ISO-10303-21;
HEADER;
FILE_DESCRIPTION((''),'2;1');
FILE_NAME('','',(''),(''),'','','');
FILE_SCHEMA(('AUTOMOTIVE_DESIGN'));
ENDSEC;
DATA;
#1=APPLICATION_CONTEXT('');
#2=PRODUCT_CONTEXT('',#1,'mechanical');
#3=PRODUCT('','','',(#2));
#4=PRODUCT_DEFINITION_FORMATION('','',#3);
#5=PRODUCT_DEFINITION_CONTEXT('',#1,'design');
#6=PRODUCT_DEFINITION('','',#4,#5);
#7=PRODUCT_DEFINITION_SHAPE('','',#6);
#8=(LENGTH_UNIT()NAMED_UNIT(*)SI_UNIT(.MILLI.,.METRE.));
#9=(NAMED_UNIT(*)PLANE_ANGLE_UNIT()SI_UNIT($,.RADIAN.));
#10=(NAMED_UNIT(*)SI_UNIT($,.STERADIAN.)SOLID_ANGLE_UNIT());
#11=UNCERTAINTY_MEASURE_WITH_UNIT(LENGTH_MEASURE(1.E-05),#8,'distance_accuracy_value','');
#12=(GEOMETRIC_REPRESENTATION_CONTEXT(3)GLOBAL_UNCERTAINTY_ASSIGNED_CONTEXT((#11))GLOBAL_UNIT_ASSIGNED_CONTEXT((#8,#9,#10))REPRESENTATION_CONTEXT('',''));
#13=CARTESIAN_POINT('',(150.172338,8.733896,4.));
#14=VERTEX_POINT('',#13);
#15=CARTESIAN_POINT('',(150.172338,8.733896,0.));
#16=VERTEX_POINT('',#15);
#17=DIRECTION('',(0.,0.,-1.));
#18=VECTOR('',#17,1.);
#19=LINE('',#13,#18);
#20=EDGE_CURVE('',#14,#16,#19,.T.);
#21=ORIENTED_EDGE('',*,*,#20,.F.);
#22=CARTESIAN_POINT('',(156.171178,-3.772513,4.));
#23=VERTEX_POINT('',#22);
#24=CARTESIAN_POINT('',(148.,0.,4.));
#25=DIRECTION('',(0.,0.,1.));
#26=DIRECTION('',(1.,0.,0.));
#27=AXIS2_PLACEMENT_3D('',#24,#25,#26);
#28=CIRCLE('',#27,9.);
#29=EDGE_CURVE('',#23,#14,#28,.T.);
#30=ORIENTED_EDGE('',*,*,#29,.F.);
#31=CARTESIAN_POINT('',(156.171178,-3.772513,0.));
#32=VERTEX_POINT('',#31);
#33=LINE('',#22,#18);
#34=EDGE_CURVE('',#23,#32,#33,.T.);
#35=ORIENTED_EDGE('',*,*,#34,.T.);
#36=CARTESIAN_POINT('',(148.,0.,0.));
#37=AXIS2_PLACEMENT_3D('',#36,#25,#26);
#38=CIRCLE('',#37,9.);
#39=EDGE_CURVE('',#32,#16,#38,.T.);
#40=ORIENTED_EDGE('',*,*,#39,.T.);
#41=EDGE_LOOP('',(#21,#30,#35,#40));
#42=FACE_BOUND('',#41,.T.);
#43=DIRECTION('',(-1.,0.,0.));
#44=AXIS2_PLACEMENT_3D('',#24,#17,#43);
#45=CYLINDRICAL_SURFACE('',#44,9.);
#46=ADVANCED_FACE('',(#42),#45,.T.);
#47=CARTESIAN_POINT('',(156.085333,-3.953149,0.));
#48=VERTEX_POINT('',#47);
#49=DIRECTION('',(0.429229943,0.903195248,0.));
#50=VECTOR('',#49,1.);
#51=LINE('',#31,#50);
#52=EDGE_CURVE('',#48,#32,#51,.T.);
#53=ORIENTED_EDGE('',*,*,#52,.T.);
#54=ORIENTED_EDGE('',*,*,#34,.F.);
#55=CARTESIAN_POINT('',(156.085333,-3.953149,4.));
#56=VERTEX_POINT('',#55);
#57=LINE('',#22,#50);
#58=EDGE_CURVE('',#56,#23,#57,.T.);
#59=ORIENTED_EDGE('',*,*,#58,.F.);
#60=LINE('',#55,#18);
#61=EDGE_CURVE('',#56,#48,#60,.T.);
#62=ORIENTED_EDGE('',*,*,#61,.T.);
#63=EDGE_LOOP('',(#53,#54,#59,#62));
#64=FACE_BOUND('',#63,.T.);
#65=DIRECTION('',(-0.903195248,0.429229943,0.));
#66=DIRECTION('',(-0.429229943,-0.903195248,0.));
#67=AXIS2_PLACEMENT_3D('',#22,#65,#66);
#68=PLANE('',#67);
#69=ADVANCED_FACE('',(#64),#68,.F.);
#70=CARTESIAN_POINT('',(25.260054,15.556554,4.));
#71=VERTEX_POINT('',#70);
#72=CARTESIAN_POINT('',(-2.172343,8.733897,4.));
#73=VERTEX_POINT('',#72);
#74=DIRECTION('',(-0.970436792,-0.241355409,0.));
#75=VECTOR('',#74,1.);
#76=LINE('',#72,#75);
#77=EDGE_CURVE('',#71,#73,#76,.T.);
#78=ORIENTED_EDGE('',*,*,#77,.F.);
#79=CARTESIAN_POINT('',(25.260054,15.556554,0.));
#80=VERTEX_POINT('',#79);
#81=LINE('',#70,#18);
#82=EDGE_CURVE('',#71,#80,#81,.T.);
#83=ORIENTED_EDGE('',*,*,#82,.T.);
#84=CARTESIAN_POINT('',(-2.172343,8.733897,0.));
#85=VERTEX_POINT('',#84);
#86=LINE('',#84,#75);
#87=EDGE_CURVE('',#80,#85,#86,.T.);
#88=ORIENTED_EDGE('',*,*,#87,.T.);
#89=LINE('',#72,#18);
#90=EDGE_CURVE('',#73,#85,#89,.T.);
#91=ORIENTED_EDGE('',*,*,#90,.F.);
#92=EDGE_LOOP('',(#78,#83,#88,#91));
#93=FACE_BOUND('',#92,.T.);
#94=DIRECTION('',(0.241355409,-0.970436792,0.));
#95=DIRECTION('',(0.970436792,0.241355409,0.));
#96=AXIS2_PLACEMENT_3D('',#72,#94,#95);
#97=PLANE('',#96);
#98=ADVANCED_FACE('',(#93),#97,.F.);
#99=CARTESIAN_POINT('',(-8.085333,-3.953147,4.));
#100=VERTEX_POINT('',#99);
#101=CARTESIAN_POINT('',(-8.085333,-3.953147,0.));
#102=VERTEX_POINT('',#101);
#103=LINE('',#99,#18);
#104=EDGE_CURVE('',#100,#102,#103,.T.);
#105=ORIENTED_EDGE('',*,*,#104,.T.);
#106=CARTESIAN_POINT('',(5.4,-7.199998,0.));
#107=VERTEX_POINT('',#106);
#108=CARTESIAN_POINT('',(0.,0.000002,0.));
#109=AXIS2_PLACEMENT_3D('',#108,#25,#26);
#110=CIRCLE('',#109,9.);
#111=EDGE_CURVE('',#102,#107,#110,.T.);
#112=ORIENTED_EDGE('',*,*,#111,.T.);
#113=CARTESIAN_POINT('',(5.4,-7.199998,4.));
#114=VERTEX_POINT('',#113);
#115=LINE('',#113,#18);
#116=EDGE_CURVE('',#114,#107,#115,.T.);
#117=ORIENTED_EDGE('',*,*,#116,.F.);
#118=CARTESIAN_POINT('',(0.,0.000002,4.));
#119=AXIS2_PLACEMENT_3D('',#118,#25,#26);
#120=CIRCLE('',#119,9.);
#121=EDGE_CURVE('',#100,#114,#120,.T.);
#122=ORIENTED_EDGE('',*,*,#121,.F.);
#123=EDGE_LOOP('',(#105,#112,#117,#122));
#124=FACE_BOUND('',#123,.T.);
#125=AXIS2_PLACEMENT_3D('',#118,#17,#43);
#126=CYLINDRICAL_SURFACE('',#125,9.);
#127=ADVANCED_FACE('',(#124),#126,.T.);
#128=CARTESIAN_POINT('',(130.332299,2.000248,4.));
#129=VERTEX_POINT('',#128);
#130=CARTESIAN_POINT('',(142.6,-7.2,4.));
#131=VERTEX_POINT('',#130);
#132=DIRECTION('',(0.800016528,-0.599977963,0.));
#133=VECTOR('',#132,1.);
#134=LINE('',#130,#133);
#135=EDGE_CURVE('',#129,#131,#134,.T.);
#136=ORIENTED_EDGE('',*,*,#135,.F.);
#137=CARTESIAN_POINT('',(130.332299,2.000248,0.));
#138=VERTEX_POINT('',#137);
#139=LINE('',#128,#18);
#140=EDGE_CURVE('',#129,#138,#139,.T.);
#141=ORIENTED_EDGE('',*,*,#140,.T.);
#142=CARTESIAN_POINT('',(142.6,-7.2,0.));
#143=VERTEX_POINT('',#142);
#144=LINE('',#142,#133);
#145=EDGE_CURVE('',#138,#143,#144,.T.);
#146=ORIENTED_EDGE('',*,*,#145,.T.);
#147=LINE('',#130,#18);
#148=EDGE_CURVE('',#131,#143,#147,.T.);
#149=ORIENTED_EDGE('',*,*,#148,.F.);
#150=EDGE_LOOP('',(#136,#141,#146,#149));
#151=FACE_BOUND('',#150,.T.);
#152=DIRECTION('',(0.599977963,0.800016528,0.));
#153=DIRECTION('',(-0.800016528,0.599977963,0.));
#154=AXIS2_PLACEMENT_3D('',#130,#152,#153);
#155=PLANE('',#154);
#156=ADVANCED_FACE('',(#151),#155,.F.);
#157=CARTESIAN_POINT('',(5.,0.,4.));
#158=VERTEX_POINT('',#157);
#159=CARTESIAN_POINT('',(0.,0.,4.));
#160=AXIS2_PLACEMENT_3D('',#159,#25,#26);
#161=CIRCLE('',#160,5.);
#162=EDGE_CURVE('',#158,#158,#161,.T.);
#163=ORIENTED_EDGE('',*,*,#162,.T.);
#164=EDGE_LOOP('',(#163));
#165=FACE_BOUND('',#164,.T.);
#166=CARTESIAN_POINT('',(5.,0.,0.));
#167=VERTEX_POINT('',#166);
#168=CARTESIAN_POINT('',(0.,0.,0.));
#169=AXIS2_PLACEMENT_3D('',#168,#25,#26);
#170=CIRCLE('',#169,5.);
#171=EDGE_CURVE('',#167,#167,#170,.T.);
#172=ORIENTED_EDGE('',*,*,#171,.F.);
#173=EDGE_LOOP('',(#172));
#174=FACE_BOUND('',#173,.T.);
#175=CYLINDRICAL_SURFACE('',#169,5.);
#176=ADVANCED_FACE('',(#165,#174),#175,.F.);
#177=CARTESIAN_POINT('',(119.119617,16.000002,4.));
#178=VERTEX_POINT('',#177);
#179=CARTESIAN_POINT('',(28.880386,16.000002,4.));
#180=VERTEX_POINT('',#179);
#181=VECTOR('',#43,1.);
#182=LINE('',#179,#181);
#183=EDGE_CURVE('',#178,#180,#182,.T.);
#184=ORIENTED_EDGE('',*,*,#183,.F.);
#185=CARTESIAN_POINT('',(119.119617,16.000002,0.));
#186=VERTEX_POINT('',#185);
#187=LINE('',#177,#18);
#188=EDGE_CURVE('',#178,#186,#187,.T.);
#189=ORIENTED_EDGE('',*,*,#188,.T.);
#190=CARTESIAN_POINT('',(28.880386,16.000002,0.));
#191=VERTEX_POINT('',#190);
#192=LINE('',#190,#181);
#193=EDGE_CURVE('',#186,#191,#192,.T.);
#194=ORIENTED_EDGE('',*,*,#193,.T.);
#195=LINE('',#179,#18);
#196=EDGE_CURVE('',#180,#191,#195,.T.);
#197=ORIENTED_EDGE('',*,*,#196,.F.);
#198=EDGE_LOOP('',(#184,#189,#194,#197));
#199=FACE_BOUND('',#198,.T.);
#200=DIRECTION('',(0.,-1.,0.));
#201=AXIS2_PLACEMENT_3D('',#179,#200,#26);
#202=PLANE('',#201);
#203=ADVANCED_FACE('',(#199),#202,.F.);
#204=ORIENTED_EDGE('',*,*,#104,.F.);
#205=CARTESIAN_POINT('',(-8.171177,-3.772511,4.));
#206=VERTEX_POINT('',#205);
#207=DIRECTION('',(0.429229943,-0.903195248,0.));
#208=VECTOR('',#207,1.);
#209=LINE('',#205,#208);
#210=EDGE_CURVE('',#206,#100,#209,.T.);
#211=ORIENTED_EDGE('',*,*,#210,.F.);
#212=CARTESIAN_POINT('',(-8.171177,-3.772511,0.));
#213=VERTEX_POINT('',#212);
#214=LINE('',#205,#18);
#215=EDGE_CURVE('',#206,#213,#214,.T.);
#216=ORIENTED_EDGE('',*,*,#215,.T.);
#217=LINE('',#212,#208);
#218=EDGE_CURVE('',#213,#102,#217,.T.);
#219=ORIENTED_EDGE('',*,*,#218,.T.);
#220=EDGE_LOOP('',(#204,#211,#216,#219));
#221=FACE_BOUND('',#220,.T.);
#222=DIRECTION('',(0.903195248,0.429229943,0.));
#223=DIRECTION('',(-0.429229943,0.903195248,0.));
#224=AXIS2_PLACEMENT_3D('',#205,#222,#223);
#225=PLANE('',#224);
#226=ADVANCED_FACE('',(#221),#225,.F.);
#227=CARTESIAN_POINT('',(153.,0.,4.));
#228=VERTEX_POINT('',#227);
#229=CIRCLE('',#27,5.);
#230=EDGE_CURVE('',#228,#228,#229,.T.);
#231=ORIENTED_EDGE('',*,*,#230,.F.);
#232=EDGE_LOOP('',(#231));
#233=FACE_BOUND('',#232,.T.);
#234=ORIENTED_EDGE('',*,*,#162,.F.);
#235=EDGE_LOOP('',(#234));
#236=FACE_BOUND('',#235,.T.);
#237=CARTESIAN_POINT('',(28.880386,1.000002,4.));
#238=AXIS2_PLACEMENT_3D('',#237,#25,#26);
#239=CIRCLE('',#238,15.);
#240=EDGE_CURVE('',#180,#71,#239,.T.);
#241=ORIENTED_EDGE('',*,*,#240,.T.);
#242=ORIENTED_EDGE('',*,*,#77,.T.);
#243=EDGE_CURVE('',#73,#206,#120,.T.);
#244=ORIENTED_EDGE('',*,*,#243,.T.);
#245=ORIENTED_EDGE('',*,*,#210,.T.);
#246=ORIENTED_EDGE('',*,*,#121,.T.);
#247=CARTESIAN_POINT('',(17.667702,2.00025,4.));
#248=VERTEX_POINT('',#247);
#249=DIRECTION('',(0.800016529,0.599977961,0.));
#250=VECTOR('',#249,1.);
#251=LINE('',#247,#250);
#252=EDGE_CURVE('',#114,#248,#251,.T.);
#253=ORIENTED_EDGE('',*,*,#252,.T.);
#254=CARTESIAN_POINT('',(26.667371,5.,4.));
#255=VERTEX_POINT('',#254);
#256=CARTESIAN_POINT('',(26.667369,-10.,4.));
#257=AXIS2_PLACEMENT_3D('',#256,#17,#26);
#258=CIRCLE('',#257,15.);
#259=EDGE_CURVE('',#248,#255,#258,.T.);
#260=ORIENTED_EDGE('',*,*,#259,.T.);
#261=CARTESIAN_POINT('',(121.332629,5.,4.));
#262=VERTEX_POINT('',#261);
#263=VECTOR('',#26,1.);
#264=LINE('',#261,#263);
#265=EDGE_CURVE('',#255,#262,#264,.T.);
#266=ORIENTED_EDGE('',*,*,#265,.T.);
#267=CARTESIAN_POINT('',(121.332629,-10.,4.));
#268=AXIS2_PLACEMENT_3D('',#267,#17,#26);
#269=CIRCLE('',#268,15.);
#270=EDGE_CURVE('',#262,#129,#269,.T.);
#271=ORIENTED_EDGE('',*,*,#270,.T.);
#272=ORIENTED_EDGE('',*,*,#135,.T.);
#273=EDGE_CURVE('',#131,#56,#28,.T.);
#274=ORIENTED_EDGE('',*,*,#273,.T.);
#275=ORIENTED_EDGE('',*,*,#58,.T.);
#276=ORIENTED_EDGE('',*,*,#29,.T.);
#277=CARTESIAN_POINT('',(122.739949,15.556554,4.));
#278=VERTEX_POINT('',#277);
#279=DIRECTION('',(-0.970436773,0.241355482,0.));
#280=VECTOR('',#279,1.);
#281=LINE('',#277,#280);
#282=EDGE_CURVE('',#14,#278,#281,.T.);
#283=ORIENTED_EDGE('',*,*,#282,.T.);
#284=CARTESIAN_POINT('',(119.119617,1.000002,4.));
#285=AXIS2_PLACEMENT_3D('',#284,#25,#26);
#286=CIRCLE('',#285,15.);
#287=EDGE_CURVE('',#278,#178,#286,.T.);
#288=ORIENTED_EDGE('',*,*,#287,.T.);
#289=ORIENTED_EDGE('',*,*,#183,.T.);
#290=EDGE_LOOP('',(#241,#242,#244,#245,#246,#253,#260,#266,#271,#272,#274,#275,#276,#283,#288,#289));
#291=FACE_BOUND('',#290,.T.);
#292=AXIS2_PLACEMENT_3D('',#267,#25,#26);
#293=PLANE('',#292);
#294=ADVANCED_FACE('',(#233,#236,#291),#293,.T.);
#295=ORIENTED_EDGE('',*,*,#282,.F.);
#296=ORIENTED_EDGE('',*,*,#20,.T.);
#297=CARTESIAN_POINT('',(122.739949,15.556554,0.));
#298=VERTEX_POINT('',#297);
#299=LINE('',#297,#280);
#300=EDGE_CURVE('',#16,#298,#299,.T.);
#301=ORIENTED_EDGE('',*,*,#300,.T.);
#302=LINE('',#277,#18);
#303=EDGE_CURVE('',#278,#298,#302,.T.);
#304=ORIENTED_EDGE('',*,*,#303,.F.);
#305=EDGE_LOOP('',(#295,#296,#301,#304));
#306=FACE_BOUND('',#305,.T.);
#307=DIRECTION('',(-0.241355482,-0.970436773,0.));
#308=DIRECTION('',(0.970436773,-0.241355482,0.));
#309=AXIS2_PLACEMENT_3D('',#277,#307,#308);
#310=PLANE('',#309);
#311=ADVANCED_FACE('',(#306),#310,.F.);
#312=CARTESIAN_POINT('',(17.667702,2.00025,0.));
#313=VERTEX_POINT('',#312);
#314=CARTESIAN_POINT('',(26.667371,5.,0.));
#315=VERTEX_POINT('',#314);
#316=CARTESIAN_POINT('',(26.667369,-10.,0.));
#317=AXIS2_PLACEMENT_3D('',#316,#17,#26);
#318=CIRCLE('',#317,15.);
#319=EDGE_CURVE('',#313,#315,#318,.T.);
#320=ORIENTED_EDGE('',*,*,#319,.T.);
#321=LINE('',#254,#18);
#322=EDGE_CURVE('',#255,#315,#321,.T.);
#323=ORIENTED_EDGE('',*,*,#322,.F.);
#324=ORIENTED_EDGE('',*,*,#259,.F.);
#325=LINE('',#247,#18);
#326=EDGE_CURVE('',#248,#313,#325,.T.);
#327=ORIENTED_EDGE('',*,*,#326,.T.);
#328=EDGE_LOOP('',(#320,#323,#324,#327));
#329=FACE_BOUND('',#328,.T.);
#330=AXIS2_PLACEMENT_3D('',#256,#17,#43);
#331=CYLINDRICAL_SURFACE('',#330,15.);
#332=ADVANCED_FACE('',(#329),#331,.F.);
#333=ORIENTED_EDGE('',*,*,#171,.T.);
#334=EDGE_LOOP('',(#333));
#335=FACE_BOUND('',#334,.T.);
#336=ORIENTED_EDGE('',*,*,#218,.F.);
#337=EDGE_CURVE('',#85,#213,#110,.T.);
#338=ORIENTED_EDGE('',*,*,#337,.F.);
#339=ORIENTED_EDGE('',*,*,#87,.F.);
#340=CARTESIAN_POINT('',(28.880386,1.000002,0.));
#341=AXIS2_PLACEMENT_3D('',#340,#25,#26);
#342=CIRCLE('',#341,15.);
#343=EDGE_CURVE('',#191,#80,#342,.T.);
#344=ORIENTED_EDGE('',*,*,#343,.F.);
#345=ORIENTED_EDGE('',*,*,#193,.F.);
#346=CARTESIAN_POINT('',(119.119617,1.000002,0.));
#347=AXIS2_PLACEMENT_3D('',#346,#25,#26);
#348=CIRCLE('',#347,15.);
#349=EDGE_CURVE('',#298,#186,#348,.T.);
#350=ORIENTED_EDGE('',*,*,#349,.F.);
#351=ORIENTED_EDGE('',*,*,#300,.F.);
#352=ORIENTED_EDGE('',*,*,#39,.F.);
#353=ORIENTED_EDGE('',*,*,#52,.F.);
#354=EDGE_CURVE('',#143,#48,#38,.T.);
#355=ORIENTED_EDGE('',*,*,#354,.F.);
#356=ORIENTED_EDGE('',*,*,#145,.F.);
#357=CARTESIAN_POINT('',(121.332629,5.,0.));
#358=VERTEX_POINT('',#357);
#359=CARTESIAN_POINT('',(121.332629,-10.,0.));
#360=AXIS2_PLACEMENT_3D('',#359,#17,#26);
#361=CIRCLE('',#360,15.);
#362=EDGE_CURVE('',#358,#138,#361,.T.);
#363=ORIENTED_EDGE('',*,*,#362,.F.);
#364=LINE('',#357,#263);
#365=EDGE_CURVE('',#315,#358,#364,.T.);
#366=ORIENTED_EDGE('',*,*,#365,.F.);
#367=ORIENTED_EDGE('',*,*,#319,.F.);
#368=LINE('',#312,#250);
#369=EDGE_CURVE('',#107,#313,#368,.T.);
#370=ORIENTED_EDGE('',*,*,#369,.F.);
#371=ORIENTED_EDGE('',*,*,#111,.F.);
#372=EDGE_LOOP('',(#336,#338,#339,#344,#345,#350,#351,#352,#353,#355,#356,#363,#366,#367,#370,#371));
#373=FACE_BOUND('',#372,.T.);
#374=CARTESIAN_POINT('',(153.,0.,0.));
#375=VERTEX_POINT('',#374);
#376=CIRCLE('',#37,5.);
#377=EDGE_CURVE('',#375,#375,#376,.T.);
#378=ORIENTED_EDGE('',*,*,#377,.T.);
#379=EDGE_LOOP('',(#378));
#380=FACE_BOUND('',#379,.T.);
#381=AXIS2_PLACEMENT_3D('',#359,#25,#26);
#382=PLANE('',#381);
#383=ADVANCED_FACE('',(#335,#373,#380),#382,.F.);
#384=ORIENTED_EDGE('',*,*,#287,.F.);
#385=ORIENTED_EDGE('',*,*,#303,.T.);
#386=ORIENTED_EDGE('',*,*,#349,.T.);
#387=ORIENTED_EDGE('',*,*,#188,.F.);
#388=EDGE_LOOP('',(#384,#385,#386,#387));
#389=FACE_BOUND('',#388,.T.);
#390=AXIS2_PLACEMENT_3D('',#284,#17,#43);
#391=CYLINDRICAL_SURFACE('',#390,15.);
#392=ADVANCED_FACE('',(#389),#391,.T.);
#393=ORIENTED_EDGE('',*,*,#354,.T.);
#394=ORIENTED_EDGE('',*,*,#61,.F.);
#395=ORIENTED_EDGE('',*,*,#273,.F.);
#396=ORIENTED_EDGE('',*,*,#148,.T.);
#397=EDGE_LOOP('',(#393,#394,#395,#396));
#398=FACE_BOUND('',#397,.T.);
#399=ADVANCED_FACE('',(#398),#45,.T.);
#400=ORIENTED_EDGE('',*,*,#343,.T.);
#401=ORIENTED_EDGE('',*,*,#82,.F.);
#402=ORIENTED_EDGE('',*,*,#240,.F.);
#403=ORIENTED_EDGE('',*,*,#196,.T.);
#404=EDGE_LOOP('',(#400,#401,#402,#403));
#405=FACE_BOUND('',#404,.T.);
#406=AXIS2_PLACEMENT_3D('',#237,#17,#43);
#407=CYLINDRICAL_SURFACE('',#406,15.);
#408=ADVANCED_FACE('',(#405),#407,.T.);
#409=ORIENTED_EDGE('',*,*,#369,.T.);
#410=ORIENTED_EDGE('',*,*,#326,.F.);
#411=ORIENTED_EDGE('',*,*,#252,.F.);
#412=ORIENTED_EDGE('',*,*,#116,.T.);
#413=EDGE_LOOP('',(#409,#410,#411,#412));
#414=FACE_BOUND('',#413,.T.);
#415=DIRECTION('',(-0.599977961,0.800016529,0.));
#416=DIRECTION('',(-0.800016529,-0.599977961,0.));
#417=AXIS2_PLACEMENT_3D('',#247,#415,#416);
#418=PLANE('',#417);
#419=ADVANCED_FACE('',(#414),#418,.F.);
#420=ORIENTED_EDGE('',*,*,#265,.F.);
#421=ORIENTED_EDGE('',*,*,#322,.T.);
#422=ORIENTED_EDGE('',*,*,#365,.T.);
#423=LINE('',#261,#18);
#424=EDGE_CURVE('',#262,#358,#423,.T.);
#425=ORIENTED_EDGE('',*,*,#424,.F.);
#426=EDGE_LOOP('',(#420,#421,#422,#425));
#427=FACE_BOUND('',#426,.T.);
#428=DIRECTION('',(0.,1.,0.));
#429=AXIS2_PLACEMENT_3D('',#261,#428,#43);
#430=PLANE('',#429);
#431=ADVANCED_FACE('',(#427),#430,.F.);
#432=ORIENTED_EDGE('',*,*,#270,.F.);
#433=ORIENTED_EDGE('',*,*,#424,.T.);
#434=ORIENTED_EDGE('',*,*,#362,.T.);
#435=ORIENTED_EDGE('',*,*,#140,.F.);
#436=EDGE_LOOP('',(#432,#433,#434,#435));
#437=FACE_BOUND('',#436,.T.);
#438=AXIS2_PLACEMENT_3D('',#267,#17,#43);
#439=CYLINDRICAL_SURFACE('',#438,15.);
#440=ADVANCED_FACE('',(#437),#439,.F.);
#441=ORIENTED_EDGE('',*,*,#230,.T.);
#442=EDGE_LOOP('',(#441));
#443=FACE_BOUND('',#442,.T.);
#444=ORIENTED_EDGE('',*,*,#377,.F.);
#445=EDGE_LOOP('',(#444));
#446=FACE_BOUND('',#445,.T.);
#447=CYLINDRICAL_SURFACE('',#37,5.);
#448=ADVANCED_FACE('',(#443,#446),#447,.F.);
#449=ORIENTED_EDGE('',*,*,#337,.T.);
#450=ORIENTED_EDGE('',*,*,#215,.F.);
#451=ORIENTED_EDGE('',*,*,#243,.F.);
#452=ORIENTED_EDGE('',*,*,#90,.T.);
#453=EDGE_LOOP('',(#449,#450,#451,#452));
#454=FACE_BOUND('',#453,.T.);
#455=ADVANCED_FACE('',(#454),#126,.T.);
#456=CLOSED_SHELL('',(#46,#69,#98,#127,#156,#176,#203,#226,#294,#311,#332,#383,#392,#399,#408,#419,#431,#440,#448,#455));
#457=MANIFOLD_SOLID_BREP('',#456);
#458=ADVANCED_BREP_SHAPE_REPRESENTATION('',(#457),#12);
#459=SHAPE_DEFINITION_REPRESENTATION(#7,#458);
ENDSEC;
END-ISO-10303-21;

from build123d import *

# Parameters (mm, degrees)
SKETCH_1_R          = 4.4
EXTRUDE_1_DEPTH     = 4
SKETCH_2_R          = 5
CUT_EXTRUDE_1_DEPTH = 158.863865621


with BuildPart() as part:
    # 草图1 → 凸台-拉伸1 (new body)
    with BuildSketch(Plane.XY):
        with BuildLine():
            Line((28.880385739, 16.000002151), (119.119616625, 16.000002151))
            ThreePointArc((119.119616625, 16.000002151), (120.9433115, 15.888727315), (122.739948861, 15.556553752))
            Line((122.739948861, 15.556553752), (150.172338317, 8.733896395))
            ThreePointArc((150.172338317, 8.733896395), (156.114779707, 3.892345091), (156.171177789, -3.772512896))
            Line((156.171177789, -3.772512896), (156.085333125, -3.953149157))
            ThreePointArc((156.085333125, -3.953149157), (150.10671868, -8.749956366), (142.6, -7.2))
            Line((142.6, -7.2), (130.332298736, 2.00024794))
            ThreePointArc((130.332298736, 2.00024794), (126.075849791, 4.230314828), (121.332629297, 5.000000026))
            Line((121.332629297, 5.000000026), (26.667370753, 5.000000026))
            ThreePointArc((26.667370753, 5.000000026), (21.92415066, 4.230315582), (17.667701778, 2.000249685))
            Line((17.667701778, 2.000249685), (5.400000428, -7.199998281))
            ThreePointArc((5.400000428, -7.199998281), (-2.106718252, -8.749954647), (-8.085332697, -3.953147439))
            Line((-8.085332697, -3.953147439), (-8.171177361, -3.772511177))
            ThreePointArc((-8.171177361, -3.772511177), (-8.114780484, 3.892344299), (-2.172343294, 8.73389677))
            Line((-2.172343294, 8.73389677), (25.260054408, 15.556553977))
            ThreePointArc((25.260054408, 15.556553977), (27.056691327, 15.888727372), (28.880385739, 16.000002151))
        make_face()
        with Locations((4.28e-07, 1.719e-06)):
            Circle(SKETCH_1_R, mode=Mode.SUBTRACT)
        with Locations((148, 0)):
            Circle(SKETCH_1_R, mode=Mode.SUBTRACT)
    extrude(amount=EXTRUDE_1_DEPTH)

    # 草图2 → 切除-拉伸1 (cut, through all)
    with BuildSketch(Plane.XY.offset(4)):
        Circle(SKETCH_2_R)
        with Locations((148, 0)):
            Circle(SKETCH_2_R)
    extrude(amount=-CUT_EXTRUDE_1_DEPTH, mode=Mode.SUBTRACT)


solid = part.part
